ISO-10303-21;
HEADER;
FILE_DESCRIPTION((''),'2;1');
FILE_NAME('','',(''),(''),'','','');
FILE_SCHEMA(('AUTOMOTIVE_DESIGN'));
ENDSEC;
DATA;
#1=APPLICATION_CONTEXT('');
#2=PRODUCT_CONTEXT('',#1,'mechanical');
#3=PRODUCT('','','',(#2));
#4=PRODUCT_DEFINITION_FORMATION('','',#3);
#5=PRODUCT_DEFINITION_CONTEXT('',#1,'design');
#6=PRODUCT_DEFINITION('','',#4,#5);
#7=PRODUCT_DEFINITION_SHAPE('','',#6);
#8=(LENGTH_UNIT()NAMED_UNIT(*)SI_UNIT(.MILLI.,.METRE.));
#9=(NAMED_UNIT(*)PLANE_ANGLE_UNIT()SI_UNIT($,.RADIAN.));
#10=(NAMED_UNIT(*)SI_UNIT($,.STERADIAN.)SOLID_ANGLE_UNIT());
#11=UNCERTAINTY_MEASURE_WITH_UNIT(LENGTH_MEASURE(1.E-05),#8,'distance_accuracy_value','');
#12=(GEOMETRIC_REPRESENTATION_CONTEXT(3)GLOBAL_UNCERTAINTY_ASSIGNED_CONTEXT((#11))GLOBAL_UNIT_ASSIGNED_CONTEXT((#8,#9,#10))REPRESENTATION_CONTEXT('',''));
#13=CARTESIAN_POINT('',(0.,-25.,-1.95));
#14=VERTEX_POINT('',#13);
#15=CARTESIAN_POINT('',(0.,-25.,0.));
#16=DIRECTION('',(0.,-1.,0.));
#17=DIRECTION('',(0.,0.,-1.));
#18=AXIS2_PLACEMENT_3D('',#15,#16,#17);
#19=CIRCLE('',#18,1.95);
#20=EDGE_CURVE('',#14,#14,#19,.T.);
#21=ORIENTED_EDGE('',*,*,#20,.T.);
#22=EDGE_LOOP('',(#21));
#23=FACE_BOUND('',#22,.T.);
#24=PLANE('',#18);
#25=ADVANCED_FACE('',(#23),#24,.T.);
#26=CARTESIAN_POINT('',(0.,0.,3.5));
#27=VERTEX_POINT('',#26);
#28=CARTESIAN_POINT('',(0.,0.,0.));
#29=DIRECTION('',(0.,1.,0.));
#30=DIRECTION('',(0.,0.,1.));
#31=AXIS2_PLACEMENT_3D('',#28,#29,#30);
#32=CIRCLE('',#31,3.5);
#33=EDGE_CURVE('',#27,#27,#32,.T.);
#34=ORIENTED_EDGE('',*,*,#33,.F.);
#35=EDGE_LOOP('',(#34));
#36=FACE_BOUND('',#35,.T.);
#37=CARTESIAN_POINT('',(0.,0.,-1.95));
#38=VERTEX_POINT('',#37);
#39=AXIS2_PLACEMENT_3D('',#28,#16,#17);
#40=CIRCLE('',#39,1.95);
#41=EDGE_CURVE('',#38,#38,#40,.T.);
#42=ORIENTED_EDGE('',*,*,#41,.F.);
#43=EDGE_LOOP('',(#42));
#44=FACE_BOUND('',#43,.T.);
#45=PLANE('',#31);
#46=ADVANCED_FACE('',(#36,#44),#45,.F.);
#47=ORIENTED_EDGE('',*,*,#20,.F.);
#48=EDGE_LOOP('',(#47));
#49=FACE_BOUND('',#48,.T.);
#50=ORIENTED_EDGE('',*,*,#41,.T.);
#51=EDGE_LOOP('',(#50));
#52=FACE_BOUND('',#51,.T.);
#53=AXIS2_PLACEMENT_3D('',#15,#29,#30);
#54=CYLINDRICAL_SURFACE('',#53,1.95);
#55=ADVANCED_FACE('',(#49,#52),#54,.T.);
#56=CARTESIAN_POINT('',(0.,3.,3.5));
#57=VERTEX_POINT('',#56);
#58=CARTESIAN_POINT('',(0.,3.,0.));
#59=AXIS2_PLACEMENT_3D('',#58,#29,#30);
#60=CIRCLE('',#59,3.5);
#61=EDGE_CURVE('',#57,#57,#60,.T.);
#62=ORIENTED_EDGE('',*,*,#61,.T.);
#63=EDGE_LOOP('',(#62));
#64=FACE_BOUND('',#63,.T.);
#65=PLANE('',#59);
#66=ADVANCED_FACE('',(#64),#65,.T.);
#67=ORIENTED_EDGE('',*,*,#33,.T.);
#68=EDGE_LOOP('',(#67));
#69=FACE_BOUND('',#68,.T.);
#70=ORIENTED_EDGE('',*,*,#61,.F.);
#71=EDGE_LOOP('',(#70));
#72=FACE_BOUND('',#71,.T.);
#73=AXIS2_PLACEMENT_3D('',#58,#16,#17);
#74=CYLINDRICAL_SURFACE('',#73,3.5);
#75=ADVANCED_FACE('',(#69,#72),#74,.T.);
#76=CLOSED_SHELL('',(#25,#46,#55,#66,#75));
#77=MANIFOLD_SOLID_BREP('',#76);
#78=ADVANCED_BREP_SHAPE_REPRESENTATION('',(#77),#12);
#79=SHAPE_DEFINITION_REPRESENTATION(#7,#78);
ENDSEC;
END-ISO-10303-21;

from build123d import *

# Parameters (mm, degrees)
SKETCH1_R           = 3.5
BOSS_EXTRUDE1_DEPTH = 3
SKETCH2_R           = 1.95
BOSS_EXTRUDE2_DEPTH = 25


with BuildPart() as part:
    # Sketch1 → Boss-Extrude1 (new body)
    with BuildSketch(Plane(origin=(0, 0, 0), x_dir=(1, 0, 0), z_dir=(0, 1, 0))):
        Circle(SKETCH1_R)
    extrude(amount=BOSS_EXTRUDE1_DEPTH)

    # Sketch2 → Boss-Extrude2 (add)
    with BuildSketch(Plane.XZ):
        Circle(SKETCH2_R)
    extrude(amount=BOSS_EXTRUDE2_DEPTH)


solid = part.part
